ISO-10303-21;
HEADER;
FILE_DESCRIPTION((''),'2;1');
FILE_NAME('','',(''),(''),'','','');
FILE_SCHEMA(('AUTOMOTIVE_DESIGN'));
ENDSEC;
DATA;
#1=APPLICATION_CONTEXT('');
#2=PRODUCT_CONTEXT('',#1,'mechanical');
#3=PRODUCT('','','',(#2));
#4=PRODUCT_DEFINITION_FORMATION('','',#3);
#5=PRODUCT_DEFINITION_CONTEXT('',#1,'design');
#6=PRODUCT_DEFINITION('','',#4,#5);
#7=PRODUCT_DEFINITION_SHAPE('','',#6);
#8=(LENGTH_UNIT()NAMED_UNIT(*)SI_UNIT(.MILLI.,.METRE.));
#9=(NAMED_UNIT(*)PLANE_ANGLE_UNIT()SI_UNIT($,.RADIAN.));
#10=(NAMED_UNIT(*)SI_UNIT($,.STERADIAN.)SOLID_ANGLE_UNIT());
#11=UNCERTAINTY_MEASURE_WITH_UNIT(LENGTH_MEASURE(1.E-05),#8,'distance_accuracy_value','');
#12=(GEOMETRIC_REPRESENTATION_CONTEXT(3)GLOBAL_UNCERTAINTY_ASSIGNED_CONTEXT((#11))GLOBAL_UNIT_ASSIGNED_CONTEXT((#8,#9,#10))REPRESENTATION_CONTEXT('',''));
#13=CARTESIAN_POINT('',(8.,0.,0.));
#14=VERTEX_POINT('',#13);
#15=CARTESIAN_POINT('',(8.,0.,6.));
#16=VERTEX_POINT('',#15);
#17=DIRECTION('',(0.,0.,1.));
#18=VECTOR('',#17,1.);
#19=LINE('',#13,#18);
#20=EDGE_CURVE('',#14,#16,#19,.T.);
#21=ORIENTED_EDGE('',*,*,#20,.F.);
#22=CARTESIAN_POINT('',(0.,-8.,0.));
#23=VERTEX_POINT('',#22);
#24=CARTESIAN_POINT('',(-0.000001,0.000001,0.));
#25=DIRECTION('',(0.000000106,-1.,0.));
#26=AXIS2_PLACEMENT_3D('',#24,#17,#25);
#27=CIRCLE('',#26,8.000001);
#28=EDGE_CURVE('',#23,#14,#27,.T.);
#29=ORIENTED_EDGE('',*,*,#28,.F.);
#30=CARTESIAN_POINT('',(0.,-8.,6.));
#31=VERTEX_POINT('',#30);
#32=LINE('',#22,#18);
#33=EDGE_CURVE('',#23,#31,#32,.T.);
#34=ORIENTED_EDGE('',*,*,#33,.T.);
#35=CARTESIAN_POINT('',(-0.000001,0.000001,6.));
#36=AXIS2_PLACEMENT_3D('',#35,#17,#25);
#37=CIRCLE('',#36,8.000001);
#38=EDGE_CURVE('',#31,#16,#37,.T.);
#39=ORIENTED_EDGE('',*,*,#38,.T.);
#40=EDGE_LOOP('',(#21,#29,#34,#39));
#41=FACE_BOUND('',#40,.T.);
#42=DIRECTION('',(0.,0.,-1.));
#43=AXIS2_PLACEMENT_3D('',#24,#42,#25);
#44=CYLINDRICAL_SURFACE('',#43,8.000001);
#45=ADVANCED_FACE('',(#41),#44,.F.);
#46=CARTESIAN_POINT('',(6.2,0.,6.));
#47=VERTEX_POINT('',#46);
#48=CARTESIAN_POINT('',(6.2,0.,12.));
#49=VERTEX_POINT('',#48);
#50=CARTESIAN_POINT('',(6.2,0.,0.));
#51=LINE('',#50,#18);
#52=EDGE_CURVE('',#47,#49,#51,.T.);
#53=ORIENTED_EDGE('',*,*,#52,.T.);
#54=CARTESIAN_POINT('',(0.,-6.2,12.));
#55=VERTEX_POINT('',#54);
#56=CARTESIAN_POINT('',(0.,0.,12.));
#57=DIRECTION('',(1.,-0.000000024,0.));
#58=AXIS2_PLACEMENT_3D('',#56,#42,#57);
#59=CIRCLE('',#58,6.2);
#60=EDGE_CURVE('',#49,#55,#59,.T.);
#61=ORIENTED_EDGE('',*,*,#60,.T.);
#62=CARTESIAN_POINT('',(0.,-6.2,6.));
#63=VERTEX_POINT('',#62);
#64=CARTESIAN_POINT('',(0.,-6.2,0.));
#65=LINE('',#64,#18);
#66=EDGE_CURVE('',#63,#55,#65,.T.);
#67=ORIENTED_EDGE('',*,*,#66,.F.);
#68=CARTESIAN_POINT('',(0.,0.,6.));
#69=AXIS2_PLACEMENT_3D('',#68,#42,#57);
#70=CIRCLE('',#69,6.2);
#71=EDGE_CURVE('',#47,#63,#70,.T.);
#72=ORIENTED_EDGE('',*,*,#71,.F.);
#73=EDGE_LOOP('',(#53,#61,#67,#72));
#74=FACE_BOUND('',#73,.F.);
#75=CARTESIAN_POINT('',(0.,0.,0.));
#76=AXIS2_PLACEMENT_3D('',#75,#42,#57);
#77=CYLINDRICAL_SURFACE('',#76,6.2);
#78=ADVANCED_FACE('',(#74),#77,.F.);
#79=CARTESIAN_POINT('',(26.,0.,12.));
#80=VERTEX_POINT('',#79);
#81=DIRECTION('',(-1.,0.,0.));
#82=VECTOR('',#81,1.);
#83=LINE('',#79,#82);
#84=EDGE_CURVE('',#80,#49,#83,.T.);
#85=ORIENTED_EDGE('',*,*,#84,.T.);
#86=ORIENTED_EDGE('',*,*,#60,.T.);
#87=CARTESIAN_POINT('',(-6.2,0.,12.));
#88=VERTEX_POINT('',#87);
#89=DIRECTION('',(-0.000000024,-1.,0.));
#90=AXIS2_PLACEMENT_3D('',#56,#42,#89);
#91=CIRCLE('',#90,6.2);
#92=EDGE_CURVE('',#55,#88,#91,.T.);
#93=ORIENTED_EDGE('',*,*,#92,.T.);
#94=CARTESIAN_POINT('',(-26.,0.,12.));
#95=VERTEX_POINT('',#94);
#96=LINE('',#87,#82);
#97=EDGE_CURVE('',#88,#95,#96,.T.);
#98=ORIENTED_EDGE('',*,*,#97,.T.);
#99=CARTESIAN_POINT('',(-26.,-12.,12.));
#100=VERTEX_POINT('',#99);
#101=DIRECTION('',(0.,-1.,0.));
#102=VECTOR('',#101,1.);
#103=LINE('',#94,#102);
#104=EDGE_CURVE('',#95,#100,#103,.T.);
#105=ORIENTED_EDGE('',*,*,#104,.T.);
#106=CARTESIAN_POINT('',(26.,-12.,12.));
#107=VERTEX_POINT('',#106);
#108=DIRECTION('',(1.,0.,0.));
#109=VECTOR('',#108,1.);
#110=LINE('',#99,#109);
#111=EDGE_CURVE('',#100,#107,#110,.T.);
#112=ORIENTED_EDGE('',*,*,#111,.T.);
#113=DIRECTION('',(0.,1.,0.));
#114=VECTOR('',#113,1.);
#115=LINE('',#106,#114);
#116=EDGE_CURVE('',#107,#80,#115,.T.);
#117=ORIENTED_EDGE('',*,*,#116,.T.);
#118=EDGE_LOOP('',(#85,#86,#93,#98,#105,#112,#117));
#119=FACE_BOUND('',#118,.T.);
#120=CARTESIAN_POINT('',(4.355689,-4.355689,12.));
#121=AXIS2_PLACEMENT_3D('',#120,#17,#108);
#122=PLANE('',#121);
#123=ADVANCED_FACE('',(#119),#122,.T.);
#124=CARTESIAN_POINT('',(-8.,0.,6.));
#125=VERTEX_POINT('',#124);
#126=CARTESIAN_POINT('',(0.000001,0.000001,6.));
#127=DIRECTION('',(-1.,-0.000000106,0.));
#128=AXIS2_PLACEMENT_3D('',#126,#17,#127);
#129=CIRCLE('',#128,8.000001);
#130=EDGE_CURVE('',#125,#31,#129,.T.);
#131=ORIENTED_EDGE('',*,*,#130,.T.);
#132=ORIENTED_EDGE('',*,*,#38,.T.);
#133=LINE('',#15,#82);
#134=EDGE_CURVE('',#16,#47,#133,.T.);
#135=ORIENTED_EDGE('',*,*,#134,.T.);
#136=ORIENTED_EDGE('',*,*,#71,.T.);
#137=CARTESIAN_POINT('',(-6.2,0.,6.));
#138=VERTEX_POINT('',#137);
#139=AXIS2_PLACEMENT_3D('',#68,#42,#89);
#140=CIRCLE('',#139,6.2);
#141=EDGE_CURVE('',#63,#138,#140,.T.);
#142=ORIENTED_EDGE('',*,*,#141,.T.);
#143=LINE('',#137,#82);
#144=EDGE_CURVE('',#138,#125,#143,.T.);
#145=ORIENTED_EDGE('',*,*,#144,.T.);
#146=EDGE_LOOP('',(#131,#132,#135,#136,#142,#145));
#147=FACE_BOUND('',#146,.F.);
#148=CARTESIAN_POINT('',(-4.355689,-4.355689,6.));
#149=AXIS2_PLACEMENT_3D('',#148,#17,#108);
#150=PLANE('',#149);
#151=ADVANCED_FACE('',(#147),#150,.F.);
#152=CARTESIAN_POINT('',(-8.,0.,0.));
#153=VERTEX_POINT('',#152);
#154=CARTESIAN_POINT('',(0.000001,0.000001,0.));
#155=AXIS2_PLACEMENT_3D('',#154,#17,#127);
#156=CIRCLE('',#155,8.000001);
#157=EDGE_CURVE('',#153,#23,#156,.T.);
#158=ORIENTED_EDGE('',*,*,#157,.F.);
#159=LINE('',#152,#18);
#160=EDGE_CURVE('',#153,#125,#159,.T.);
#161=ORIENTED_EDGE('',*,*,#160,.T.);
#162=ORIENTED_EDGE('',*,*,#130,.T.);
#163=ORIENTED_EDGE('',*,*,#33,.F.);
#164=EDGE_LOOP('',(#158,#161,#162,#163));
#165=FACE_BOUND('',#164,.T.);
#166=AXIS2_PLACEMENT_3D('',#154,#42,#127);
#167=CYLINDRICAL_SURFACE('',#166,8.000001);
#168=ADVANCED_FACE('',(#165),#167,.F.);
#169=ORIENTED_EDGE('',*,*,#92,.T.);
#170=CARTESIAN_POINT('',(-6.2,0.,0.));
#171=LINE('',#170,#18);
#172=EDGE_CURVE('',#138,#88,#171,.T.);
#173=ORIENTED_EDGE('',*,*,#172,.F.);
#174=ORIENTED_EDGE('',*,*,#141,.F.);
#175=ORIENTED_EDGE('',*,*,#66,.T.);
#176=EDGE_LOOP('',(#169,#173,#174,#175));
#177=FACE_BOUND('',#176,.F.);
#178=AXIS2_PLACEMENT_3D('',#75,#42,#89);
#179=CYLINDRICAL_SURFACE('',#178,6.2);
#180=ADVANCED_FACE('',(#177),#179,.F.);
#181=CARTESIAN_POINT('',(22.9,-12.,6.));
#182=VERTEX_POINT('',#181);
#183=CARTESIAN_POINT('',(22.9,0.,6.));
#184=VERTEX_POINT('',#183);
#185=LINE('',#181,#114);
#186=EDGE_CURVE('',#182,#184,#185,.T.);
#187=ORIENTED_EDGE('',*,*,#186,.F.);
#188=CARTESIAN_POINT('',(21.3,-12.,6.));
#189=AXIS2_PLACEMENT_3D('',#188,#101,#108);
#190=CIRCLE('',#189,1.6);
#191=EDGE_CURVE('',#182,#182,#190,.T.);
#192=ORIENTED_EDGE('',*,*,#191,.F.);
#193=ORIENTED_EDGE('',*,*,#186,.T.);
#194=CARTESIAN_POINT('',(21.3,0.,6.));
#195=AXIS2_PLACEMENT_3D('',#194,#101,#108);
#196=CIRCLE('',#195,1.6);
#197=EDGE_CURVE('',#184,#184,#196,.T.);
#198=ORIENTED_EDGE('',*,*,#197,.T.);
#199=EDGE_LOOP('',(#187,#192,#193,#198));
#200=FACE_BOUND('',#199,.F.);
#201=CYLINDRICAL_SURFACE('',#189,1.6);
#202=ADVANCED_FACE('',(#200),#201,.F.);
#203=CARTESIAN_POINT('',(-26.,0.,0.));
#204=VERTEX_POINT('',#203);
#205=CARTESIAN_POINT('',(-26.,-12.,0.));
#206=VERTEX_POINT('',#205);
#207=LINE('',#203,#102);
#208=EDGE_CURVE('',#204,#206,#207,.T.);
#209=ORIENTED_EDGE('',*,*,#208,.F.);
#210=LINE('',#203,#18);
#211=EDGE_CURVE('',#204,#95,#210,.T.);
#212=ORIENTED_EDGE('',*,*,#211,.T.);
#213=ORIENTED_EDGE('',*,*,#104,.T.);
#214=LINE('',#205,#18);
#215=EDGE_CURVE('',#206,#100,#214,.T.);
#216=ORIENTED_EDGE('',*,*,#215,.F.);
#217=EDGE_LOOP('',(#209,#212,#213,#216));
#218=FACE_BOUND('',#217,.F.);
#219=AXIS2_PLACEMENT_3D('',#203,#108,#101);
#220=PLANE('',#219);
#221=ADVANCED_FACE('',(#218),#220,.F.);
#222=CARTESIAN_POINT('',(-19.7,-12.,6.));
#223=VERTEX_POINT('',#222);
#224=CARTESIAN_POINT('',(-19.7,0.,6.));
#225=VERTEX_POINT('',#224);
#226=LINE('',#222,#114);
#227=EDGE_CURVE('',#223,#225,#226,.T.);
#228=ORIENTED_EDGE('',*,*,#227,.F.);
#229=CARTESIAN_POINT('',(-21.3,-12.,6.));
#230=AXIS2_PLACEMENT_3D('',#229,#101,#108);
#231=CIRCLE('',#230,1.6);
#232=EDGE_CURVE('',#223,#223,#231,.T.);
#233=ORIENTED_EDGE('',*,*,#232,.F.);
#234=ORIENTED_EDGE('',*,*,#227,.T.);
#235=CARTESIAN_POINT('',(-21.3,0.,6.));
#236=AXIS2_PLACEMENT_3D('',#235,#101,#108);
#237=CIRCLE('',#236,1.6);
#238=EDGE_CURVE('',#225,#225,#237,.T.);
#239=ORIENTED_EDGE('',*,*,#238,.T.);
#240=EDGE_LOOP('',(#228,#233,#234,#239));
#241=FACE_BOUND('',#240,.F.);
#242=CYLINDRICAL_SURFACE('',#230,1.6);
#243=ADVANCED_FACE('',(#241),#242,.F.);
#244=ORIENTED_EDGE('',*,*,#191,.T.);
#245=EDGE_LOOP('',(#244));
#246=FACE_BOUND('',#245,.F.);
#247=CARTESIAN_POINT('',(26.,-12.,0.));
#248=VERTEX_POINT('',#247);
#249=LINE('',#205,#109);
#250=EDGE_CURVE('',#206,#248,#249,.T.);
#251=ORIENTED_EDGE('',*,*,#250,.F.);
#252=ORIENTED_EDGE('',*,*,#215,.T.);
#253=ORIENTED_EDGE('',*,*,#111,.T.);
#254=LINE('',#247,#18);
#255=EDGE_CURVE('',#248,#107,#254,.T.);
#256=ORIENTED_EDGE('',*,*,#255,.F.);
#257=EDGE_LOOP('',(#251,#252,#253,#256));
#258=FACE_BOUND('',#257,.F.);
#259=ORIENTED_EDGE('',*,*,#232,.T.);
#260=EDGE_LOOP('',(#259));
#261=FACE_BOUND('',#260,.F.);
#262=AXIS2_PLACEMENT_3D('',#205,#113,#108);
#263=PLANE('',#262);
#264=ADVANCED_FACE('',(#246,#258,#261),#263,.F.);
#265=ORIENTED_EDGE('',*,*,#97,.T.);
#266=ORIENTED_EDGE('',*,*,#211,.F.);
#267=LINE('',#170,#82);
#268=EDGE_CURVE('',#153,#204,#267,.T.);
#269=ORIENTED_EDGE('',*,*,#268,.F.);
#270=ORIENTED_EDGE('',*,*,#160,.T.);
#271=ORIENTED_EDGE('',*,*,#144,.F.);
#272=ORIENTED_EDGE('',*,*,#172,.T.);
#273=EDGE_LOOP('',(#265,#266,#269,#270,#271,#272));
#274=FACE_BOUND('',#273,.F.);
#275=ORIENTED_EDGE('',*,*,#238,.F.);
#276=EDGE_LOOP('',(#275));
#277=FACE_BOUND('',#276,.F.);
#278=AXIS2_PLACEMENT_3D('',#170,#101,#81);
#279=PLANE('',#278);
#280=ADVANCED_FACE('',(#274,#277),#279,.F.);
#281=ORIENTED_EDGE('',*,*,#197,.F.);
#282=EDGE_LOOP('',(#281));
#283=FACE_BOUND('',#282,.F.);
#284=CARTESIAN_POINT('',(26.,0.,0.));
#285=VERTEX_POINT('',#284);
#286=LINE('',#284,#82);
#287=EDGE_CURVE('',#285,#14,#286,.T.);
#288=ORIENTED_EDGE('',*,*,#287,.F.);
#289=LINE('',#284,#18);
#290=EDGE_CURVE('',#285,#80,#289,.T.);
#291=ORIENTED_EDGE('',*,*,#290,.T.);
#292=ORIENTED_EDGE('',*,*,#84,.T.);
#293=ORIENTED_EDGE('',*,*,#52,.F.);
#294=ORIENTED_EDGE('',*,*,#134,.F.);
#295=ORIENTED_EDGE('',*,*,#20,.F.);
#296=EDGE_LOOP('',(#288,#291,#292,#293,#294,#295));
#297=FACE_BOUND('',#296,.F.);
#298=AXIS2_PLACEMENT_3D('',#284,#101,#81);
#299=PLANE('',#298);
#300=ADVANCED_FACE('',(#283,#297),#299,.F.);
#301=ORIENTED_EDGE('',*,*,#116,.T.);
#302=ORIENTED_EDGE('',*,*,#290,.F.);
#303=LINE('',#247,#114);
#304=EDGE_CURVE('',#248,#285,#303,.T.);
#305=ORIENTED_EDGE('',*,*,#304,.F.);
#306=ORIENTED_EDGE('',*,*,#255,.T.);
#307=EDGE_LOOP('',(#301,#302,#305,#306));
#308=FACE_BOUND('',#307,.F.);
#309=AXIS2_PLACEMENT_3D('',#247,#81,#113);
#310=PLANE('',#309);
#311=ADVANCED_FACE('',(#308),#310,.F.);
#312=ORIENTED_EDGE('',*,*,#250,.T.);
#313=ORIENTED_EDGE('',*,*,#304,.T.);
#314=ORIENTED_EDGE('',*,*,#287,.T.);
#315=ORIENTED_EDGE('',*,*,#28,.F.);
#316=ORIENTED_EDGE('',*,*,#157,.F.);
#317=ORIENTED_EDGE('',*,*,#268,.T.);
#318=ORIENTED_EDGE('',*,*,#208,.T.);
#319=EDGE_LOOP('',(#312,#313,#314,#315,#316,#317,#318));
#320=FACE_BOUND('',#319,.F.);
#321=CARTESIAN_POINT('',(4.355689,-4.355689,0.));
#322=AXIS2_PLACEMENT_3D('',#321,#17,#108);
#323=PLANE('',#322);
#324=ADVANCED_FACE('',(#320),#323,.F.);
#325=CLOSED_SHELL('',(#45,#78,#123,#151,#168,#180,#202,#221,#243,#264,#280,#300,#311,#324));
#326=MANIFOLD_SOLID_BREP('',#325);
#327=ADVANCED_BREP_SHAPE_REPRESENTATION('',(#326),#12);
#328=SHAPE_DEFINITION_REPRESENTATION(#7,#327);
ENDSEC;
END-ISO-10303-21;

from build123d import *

# Parameters (mm, degrees)
F2_DEPTH = 12
F3_DEPTH = 6
F4_R     = 1.6
F5_DEPTH = 25


with BuildPart() as f2:
    # F1 (on Top) → F2 (new body)
    with BuildSketch(Plane.XY):
        with BuildLine():
            Line((8, 0), (6.2, 0))
            ThreePointArc((6.2, 0), (4.384062, -4.384062), (0, -6.2))
            Line((0, -6.2), (0, -8))
            ThreePointArc((0, -8), (5.656854, -5.656854), (8, 0))
        make_face()
        with BuildLine():
            Line((26, 0), (8, 0))
            ThreePointArc((8, 0), (5.656854, -5.656854), (0, -8))
            Line((0, -8), (0, -12))
            Line((0, -12), (26, -12))
            Line((26, -12), (26, 0))
        make_face()
        with BuildLine():
            Line((0, -8), (0, -6.2))
            ThreePointArc((0, -6.2), (-4.384062, -4.384062), (-6.2, 0))
            Line((-6.2, 0), (-8, 0))
            ThreePointArc((-8, 0), (-5.656854, -5.656854), (0, -8))
        make_face()
        with BuildLine():
            Line((0, -12), (0, -8))
            ThreePointArc((0, -8), (-5.656854, -5.656854), (-8, 0))
            Line((-8, 0), (-26, 0))
            Line((-26, 0), (-26, -12))
            Line((-26, -12), (0, -12))
        make_face()
    extrude(amount=F2_DEPTH)

    # F1 (on Top) → F3 (cut)
    with BuildSketch(Plane.XY):
        with BuildLine():
            Line((0, -8), (0, -6.2))
            ThreePointArc((0, -6.2), (-4.384062, -4.384062), (-6.2, 0))
            Line((-6.2, 0), (-8, 0))
            ThreePointArc((-8, 0), (-5.656854, -5.656854), (0, -8))
        make_face()
        with BuildLine():
            Line((8, 0), (6.2, 0))
            ThreePointArc((6.2, 0), (4.384062, -4.384062), (0, -6.2))
            Line((0, -6.2), (0, -8))
            ThreePointArc((0, -8), (5.656854, -5.656854), (8, 0))
        make_face()
    extrude(amount=F3_DEPTH, mode=Mode.SUBTRACT)

    # F4 (on face) → F5 (cut)
    with BuildSketch(Plane.XZ.offset(12)):
        with Locations((-21.3, 6)):
            Circle(F4_R)
        with Locations((21.3, 6)):
            Circle(F4_R)
    extrude(amount=-F5_DEPTH, mode=Mode.SUBTRACT)


solid = f2.part
